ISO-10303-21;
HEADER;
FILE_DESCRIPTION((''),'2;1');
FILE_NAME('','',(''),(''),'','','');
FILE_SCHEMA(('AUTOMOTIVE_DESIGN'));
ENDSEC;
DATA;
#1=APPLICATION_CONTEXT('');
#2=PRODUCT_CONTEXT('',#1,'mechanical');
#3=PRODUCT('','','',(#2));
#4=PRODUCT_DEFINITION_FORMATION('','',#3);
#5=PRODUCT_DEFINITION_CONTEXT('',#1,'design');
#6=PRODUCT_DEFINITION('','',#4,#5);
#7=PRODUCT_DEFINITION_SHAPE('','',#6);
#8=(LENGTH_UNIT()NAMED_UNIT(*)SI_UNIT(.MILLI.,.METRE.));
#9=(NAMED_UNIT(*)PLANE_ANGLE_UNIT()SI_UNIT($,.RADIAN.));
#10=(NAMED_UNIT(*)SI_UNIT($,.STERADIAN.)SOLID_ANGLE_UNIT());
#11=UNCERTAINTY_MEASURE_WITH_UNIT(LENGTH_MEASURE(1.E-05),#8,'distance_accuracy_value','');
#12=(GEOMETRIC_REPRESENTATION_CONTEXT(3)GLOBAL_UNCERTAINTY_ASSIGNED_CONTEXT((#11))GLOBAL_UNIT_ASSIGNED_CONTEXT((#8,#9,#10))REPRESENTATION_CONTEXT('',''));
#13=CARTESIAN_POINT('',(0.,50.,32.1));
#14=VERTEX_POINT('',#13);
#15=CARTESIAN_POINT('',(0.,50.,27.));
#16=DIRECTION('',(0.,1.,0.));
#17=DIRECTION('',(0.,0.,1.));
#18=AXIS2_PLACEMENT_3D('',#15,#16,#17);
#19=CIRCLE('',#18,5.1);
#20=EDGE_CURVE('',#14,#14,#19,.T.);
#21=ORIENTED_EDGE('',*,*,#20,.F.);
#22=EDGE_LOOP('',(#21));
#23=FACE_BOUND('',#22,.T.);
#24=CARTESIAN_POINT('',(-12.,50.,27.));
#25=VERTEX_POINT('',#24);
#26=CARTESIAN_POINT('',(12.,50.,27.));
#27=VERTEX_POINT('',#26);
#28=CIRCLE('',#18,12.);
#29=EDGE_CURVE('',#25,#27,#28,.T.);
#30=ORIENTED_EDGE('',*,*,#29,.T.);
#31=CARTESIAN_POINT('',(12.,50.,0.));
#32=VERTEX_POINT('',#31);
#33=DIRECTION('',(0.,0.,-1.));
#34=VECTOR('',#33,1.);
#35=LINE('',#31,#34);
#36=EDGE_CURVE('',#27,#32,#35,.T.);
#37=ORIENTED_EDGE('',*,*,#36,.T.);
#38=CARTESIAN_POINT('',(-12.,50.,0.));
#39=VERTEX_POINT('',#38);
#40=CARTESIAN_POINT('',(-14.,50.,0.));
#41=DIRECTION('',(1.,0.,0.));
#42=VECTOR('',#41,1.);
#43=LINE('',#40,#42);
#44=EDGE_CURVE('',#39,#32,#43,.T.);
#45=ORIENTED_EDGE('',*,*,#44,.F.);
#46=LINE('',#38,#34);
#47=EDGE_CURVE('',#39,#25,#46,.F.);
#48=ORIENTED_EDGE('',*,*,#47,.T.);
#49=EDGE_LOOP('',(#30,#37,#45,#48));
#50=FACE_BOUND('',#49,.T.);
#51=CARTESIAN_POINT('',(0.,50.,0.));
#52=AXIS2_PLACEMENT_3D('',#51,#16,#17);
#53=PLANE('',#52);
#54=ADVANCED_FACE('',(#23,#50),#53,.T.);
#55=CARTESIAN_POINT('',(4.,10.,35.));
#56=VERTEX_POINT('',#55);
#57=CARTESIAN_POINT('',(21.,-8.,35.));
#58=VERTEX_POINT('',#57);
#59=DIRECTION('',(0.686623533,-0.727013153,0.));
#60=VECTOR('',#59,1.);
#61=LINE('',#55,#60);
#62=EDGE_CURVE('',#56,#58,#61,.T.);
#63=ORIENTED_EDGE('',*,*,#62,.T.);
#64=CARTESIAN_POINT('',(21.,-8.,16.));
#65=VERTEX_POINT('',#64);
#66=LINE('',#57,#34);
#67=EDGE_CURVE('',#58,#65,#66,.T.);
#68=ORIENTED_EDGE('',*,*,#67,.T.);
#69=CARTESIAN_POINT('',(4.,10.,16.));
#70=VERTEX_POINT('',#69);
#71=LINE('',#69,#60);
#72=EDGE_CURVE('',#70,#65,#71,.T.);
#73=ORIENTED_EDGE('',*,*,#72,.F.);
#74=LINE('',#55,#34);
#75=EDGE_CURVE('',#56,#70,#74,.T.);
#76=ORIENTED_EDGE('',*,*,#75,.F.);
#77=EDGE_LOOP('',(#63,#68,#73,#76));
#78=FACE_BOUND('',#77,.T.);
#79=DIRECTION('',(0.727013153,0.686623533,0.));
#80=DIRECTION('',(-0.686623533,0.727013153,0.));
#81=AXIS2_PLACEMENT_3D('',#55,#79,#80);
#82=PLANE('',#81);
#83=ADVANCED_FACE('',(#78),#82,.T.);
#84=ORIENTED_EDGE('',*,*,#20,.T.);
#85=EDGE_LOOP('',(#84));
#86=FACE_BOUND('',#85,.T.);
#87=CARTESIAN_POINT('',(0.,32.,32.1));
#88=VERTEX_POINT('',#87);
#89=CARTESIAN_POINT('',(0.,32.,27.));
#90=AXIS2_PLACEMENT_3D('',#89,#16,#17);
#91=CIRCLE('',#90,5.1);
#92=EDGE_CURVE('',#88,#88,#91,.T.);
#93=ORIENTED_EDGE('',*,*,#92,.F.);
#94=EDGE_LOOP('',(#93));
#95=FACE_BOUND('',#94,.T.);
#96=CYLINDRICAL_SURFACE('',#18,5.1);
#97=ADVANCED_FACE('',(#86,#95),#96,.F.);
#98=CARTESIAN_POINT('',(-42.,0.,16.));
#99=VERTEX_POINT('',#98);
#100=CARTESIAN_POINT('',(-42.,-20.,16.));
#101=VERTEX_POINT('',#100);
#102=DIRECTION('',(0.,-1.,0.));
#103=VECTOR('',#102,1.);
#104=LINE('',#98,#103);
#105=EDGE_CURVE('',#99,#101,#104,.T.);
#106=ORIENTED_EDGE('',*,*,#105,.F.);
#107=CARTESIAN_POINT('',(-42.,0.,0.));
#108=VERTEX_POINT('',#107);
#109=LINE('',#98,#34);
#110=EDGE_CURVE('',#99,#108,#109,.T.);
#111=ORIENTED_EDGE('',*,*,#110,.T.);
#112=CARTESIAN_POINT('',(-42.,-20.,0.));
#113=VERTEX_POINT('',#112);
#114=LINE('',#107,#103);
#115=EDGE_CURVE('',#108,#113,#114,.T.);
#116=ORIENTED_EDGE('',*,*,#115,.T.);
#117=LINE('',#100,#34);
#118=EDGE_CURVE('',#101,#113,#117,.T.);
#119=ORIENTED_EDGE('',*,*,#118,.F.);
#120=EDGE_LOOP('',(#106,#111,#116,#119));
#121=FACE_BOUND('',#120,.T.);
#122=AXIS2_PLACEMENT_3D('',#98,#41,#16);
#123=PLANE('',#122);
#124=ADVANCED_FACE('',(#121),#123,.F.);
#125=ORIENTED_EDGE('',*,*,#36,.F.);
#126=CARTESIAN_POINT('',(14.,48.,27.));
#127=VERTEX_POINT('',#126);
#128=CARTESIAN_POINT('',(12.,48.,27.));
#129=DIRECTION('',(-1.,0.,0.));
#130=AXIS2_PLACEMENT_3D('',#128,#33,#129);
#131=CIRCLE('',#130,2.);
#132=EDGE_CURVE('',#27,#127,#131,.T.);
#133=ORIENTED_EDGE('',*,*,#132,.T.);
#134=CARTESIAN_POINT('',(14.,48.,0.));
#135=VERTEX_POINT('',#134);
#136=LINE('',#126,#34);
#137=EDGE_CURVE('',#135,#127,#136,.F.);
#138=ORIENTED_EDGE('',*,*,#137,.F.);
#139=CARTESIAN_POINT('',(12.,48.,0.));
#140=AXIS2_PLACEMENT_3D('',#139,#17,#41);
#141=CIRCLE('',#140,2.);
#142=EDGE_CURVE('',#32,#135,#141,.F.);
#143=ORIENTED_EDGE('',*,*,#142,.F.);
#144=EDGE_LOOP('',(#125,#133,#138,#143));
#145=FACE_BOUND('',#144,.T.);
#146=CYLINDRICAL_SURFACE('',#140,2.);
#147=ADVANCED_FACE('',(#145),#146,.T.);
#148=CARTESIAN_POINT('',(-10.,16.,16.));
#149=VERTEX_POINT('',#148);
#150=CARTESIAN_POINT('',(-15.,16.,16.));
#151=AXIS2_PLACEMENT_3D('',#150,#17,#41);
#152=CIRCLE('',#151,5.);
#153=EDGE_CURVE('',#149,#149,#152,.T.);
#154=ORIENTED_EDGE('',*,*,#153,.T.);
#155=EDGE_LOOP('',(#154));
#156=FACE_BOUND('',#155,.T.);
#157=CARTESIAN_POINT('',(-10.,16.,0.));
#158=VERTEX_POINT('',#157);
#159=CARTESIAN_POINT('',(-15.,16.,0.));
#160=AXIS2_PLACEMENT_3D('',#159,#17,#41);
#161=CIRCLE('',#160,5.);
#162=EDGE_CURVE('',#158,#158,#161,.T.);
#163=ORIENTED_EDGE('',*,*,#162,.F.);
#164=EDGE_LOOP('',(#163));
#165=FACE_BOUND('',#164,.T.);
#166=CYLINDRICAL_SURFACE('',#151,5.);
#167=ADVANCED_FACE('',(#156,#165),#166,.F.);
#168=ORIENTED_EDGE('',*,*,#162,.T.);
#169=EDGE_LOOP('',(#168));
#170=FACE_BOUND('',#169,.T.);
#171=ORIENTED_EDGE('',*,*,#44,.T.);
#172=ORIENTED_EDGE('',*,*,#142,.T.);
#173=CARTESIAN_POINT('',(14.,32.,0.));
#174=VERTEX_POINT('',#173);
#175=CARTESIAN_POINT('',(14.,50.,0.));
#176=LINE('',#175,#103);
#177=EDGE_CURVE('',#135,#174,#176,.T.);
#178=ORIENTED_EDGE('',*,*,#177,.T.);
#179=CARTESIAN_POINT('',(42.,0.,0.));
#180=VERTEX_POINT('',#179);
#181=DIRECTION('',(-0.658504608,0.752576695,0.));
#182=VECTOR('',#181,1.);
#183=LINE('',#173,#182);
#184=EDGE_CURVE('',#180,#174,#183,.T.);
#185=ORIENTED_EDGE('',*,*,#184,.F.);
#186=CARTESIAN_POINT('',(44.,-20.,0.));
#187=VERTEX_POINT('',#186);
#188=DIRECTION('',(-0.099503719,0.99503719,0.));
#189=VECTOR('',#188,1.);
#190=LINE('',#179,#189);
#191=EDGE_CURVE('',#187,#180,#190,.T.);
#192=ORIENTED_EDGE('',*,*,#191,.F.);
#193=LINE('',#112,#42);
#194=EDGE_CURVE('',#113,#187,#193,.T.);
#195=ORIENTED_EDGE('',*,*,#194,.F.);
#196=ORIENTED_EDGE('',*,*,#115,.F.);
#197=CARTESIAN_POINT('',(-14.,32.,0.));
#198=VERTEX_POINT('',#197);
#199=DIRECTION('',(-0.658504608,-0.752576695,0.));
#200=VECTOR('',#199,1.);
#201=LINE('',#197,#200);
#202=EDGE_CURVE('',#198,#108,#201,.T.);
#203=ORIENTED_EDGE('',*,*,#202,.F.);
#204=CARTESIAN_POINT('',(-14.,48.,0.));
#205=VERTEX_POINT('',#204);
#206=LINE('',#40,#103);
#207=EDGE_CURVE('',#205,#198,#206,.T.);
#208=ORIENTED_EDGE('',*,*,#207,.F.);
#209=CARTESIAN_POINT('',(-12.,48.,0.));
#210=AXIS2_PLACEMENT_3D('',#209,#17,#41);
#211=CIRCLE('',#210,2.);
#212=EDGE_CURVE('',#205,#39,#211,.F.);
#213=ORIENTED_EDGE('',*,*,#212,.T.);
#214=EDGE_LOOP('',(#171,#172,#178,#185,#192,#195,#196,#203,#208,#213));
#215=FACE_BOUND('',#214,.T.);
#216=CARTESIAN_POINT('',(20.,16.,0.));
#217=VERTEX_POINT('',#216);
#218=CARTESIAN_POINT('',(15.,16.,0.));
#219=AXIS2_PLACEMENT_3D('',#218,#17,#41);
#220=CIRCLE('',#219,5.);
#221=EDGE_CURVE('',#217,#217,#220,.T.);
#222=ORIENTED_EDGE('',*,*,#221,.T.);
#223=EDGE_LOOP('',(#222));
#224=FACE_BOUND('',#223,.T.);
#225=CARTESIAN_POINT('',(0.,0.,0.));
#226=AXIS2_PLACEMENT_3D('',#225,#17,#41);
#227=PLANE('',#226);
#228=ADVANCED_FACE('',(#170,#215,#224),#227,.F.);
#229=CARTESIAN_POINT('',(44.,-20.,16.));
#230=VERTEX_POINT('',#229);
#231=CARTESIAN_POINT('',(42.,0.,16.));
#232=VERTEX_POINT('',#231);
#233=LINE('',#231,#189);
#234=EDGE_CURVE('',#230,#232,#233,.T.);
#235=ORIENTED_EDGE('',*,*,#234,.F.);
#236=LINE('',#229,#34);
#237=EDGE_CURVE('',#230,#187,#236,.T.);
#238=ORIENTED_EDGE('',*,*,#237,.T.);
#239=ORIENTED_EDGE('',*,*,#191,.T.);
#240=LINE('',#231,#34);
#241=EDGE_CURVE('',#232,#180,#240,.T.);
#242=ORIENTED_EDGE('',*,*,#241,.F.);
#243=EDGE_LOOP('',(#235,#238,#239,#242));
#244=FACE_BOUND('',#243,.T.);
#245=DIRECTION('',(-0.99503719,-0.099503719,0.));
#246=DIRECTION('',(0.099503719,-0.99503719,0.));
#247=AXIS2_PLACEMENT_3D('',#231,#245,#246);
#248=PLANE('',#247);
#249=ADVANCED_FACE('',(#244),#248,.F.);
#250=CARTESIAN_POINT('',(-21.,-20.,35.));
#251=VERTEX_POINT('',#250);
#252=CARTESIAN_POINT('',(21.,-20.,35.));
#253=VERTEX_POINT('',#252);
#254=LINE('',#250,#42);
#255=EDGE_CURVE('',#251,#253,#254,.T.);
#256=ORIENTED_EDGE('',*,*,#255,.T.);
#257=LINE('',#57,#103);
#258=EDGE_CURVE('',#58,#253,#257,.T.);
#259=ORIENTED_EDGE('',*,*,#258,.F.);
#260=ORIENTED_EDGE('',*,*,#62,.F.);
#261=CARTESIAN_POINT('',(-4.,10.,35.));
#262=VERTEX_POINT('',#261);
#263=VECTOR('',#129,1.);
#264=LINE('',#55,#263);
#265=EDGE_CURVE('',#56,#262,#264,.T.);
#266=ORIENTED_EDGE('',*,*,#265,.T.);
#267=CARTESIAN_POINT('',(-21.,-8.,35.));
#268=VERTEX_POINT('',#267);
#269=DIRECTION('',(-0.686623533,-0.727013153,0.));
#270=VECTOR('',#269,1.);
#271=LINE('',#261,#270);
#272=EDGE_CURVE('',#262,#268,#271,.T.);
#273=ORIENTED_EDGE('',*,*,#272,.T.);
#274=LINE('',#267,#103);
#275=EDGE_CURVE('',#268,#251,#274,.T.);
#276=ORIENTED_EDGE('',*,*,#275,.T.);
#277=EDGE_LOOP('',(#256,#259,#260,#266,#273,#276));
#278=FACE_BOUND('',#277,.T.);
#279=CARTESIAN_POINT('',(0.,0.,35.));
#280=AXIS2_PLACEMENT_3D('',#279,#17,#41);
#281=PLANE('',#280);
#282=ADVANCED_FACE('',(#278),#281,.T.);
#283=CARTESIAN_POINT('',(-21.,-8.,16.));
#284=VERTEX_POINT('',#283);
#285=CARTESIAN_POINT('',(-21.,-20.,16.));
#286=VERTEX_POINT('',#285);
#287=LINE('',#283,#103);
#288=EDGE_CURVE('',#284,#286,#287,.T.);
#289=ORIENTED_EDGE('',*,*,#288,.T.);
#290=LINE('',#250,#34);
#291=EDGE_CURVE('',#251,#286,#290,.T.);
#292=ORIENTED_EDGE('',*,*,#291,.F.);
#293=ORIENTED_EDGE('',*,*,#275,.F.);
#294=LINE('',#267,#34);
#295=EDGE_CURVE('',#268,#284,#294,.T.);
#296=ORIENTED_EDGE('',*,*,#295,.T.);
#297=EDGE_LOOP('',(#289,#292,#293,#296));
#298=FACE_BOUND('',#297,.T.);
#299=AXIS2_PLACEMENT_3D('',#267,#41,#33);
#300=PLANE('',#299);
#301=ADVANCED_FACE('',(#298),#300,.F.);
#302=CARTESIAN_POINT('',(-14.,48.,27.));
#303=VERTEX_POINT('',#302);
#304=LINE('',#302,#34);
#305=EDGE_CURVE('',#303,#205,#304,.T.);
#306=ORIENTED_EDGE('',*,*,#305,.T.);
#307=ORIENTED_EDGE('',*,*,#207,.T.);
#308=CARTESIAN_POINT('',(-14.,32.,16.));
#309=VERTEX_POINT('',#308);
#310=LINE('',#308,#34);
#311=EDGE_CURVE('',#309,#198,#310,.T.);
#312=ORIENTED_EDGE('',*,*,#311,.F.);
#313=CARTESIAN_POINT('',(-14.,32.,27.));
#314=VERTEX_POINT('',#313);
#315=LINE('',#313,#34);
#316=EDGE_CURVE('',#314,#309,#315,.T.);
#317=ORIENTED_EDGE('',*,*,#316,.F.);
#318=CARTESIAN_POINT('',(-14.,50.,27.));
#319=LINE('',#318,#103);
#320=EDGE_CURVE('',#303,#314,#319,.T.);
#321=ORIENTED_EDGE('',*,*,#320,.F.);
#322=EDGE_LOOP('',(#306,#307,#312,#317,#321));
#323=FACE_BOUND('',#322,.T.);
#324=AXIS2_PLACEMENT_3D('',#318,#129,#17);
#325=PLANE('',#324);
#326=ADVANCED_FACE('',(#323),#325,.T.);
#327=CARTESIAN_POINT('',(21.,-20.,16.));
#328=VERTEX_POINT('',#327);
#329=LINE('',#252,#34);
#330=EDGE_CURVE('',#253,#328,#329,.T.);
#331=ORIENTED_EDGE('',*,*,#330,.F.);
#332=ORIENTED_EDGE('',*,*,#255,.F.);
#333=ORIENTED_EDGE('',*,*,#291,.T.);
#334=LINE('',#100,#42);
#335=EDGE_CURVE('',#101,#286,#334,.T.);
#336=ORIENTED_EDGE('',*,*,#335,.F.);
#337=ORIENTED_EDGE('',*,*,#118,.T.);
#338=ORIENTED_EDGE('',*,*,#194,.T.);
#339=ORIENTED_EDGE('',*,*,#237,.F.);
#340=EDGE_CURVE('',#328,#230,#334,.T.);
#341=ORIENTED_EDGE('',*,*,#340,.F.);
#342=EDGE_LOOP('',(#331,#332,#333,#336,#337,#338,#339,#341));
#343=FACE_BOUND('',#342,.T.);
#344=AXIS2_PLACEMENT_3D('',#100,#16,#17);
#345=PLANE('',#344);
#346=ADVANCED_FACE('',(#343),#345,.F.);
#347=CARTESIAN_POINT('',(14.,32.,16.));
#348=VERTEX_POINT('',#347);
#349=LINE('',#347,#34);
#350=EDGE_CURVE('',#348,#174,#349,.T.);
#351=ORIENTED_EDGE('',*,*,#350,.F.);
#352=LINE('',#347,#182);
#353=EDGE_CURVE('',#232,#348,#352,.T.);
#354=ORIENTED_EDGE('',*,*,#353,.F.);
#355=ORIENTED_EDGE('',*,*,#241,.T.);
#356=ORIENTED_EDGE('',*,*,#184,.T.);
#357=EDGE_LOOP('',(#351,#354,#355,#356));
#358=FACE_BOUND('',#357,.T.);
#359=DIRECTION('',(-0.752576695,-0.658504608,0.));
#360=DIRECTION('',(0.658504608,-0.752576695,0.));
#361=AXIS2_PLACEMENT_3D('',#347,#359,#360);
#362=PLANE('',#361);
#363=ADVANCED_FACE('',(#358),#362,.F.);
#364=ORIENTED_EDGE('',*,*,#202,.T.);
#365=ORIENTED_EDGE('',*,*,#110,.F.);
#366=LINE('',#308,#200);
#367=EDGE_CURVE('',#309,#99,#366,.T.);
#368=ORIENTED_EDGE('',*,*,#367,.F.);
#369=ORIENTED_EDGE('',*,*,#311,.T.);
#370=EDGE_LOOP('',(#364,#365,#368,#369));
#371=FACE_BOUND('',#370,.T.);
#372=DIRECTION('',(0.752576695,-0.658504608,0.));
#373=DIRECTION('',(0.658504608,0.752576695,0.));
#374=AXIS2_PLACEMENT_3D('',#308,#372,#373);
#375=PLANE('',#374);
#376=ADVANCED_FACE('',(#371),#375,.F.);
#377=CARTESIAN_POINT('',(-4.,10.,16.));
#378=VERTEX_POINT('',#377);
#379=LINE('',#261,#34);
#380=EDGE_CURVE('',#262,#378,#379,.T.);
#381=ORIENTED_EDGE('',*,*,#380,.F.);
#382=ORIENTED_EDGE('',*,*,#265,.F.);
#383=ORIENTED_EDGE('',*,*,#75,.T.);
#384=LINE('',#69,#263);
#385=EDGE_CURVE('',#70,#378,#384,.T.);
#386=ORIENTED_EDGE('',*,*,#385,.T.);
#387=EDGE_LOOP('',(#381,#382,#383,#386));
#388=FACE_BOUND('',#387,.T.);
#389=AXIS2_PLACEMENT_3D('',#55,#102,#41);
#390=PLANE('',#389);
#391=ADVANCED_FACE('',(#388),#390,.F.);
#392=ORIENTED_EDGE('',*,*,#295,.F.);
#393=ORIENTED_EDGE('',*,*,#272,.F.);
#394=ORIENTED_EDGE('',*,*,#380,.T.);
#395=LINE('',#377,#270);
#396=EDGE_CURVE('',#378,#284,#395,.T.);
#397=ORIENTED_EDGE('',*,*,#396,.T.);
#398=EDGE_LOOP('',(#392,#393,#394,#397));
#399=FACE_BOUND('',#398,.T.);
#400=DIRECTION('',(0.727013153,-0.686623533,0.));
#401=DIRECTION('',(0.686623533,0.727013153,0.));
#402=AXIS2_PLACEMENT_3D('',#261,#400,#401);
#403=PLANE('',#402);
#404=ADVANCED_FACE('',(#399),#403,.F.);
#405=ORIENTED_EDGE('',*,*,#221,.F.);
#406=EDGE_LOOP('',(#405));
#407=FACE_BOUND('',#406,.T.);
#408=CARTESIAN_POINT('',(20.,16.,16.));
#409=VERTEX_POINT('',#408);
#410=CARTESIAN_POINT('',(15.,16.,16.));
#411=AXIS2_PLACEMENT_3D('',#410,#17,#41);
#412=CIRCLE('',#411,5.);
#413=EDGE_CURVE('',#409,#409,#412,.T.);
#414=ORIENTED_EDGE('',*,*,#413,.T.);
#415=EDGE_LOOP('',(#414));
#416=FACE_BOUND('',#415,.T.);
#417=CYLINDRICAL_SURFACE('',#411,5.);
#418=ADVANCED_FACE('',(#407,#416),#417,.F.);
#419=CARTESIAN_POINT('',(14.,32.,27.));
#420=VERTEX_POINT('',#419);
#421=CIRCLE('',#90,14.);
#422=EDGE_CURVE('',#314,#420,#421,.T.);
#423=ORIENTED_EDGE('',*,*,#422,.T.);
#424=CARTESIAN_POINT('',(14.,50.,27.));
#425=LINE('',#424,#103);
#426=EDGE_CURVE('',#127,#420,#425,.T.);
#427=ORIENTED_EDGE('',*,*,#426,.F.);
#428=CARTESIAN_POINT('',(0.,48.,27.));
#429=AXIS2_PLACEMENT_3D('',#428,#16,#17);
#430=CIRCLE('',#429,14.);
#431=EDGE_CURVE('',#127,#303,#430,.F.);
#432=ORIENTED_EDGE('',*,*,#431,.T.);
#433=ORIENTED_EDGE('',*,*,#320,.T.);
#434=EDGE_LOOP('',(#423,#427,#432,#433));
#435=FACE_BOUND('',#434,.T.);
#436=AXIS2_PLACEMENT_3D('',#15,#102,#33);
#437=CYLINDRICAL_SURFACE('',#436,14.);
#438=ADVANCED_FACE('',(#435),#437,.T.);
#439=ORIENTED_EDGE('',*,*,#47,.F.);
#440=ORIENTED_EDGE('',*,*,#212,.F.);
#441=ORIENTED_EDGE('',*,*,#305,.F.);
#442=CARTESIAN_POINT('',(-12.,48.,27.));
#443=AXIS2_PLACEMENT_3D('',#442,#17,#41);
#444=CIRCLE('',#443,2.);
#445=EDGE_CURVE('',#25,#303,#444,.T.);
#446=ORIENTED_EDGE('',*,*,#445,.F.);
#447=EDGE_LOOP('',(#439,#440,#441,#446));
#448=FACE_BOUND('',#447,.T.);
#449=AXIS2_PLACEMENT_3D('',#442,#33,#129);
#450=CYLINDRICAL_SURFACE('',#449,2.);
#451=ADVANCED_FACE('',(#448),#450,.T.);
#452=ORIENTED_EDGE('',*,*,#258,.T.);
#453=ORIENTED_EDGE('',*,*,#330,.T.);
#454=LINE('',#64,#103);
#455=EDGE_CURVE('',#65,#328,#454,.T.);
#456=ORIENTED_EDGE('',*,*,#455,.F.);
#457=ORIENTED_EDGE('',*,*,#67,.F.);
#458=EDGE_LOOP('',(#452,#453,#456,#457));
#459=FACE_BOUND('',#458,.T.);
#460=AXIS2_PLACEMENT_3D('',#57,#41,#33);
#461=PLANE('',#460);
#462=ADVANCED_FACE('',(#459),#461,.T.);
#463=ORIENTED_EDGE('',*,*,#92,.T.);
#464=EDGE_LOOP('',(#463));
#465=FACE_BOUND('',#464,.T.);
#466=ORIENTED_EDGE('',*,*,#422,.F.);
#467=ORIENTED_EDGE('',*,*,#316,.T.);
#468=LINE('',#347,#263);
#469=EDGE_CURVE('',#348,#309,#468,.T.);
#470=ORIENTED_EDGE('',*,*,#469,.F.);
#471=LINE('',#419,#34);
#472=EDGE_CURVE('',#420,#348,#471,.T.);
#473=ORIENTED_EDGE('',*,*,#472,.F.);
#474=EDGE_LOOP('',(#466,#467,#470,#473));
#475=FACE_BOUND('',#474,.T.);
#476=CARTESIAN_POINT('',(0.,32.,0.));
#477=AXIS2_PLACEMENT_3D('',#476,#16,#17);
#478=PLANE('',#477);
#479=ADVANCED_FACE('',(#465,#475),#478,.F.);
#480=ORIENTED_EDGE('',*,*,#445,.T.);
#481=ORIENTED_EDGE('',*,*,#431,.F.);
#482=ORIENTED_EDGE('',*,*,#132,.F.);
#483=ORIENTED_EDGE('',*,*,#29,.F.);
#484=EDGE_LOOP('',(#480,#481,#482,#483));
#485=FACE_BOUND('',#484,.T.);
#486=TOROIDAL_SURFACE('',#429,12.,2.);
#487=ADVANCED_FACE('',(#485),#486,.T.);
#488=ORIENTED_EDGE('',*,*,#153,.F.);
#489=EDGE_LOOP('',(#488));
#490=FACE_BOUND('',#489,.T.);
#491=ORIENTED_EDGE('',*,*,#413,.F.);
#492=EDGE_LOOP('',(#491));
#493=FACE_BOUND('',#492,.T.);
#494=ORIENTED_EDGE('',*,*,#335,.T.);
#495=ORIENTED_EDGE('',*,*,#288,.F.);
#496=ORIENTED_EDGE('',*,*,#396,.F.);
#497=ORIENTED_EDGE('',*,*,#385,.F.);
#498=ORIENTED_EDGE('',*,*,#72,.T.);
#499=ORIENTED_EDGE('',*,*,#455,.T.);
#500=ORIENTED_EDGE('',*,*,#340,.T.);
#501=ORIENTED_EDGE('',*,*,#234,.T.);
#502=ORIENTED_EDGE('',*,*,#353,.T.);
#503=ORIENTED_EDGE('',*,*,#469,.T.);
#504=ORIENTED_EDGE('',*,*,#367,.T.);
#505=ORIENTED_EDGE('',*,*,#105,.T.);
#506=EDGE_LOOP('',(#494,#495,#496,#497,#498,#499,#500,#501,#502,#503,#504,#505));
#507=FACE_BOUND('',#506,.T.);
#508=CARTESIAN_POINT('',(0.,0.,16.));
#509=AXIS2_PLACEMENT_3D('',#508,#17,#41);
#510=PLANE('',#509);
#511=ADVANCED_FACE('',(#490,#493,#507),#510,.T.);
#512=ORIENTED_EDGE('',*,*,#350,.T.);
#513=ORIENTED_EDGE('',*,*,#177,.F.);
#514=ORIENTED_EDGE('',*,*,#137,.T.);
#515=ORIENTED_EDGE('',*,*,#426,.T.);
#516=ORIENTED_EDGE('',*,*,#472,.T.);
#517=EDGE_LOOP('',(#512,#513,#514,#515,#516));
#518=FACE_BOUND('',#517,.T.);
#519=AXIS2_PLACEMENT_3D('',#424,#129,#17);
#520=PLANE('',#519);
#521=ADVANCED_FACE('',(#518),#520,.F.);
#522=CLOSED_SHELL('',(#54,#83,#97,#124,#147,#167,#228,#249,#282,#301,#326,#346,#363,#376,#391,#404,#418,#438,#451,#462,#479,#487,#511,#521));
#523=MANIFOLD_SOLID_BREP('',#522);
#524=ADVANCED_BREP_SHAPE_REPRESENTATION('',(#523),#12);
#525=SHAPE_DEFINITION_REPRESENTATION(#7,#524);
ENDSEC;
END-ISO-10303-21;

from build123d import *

# Parameters (mm, degrees)
EXTRUDE_1_DEPTH         = 16
EXTRUDE_2_DEPTH         = 19
EXTRUDE_3_DEPTH         = 18
FILLET_1_R              = 2
HOLE_WIZARD_M12_1_D     = 10.2
HOLE_WIZARD_M12_1_DEPTH = 18
HOLE_WIZARD_10_0_10_1_D = 10


with BuildPart() as part:
    # 草图1 → 凸台-拉伸1 (new body)
    with BuildSketch(Plane.XY):
        Polygon((14, 32), (-14, 32), (-42, 0), (-42, -20), (44, -20), (42, 0), align=None)
    extrude(amount=EXTRUDE_1_DEPTH)

    # 草图2 → 凸台-拉伸2 (add)
    with BuildSketch(Plane.XY.offset(16)):
        Polygon((4, 10), (-4, 10), (-21, -8), (-21, -20), (21, -20), (21, -8), align=None)
    extrude(amount=EXTRUDE_2_DEPTH)

    # 草图5 → 凸台-拉伸3 (add)
    with BuildSketch(Plane(origin=(0, 32, 0), x_dir=(1, 0, 0), z_dir=(0, 1, 0))):
        with BuildLine():
            Line((-14, 0), (-14, -27))
            ThreePointArc((-14, -27), (0, -41), (14, -27))
            Line((14, -27), (14, 0))
            Line((14, 0), (-14, 0))
        make_face()
    extrude(amount=EXTRUDE_3_DEPTH)

    # 圆角1
    fillet_1_edges = [part.edges().sort_by_distance(p)[0] for p in [
        (0, 50, 41),
        (14, 50, 13.5),
        (-14, 50, 13.5),
    ]]
    fillet(fillet_1_edges, radius=FILLET_1_R)

    # M12 螺纹孔1
    with Locations(Plane(origin=(0, 50, 0), x_dir=(1, 0, 0), z_dir=(0, 1, 0))):
        with Locations((0, -27)):
            Hole(HOLE_WIZARD_M12_1_D / 2, depth=HOLE_WIZARD_M12_1_DEPTH)

    # Ø10.0 (10) 直径孔1 (through all)
    with Locations(Plane.XY.offset(16)):
        with Locations((-15, 16), (15, 16)):
            Hole(HOLE_WIZARD_10_0_10_1_D / 2)


solid = part.part
